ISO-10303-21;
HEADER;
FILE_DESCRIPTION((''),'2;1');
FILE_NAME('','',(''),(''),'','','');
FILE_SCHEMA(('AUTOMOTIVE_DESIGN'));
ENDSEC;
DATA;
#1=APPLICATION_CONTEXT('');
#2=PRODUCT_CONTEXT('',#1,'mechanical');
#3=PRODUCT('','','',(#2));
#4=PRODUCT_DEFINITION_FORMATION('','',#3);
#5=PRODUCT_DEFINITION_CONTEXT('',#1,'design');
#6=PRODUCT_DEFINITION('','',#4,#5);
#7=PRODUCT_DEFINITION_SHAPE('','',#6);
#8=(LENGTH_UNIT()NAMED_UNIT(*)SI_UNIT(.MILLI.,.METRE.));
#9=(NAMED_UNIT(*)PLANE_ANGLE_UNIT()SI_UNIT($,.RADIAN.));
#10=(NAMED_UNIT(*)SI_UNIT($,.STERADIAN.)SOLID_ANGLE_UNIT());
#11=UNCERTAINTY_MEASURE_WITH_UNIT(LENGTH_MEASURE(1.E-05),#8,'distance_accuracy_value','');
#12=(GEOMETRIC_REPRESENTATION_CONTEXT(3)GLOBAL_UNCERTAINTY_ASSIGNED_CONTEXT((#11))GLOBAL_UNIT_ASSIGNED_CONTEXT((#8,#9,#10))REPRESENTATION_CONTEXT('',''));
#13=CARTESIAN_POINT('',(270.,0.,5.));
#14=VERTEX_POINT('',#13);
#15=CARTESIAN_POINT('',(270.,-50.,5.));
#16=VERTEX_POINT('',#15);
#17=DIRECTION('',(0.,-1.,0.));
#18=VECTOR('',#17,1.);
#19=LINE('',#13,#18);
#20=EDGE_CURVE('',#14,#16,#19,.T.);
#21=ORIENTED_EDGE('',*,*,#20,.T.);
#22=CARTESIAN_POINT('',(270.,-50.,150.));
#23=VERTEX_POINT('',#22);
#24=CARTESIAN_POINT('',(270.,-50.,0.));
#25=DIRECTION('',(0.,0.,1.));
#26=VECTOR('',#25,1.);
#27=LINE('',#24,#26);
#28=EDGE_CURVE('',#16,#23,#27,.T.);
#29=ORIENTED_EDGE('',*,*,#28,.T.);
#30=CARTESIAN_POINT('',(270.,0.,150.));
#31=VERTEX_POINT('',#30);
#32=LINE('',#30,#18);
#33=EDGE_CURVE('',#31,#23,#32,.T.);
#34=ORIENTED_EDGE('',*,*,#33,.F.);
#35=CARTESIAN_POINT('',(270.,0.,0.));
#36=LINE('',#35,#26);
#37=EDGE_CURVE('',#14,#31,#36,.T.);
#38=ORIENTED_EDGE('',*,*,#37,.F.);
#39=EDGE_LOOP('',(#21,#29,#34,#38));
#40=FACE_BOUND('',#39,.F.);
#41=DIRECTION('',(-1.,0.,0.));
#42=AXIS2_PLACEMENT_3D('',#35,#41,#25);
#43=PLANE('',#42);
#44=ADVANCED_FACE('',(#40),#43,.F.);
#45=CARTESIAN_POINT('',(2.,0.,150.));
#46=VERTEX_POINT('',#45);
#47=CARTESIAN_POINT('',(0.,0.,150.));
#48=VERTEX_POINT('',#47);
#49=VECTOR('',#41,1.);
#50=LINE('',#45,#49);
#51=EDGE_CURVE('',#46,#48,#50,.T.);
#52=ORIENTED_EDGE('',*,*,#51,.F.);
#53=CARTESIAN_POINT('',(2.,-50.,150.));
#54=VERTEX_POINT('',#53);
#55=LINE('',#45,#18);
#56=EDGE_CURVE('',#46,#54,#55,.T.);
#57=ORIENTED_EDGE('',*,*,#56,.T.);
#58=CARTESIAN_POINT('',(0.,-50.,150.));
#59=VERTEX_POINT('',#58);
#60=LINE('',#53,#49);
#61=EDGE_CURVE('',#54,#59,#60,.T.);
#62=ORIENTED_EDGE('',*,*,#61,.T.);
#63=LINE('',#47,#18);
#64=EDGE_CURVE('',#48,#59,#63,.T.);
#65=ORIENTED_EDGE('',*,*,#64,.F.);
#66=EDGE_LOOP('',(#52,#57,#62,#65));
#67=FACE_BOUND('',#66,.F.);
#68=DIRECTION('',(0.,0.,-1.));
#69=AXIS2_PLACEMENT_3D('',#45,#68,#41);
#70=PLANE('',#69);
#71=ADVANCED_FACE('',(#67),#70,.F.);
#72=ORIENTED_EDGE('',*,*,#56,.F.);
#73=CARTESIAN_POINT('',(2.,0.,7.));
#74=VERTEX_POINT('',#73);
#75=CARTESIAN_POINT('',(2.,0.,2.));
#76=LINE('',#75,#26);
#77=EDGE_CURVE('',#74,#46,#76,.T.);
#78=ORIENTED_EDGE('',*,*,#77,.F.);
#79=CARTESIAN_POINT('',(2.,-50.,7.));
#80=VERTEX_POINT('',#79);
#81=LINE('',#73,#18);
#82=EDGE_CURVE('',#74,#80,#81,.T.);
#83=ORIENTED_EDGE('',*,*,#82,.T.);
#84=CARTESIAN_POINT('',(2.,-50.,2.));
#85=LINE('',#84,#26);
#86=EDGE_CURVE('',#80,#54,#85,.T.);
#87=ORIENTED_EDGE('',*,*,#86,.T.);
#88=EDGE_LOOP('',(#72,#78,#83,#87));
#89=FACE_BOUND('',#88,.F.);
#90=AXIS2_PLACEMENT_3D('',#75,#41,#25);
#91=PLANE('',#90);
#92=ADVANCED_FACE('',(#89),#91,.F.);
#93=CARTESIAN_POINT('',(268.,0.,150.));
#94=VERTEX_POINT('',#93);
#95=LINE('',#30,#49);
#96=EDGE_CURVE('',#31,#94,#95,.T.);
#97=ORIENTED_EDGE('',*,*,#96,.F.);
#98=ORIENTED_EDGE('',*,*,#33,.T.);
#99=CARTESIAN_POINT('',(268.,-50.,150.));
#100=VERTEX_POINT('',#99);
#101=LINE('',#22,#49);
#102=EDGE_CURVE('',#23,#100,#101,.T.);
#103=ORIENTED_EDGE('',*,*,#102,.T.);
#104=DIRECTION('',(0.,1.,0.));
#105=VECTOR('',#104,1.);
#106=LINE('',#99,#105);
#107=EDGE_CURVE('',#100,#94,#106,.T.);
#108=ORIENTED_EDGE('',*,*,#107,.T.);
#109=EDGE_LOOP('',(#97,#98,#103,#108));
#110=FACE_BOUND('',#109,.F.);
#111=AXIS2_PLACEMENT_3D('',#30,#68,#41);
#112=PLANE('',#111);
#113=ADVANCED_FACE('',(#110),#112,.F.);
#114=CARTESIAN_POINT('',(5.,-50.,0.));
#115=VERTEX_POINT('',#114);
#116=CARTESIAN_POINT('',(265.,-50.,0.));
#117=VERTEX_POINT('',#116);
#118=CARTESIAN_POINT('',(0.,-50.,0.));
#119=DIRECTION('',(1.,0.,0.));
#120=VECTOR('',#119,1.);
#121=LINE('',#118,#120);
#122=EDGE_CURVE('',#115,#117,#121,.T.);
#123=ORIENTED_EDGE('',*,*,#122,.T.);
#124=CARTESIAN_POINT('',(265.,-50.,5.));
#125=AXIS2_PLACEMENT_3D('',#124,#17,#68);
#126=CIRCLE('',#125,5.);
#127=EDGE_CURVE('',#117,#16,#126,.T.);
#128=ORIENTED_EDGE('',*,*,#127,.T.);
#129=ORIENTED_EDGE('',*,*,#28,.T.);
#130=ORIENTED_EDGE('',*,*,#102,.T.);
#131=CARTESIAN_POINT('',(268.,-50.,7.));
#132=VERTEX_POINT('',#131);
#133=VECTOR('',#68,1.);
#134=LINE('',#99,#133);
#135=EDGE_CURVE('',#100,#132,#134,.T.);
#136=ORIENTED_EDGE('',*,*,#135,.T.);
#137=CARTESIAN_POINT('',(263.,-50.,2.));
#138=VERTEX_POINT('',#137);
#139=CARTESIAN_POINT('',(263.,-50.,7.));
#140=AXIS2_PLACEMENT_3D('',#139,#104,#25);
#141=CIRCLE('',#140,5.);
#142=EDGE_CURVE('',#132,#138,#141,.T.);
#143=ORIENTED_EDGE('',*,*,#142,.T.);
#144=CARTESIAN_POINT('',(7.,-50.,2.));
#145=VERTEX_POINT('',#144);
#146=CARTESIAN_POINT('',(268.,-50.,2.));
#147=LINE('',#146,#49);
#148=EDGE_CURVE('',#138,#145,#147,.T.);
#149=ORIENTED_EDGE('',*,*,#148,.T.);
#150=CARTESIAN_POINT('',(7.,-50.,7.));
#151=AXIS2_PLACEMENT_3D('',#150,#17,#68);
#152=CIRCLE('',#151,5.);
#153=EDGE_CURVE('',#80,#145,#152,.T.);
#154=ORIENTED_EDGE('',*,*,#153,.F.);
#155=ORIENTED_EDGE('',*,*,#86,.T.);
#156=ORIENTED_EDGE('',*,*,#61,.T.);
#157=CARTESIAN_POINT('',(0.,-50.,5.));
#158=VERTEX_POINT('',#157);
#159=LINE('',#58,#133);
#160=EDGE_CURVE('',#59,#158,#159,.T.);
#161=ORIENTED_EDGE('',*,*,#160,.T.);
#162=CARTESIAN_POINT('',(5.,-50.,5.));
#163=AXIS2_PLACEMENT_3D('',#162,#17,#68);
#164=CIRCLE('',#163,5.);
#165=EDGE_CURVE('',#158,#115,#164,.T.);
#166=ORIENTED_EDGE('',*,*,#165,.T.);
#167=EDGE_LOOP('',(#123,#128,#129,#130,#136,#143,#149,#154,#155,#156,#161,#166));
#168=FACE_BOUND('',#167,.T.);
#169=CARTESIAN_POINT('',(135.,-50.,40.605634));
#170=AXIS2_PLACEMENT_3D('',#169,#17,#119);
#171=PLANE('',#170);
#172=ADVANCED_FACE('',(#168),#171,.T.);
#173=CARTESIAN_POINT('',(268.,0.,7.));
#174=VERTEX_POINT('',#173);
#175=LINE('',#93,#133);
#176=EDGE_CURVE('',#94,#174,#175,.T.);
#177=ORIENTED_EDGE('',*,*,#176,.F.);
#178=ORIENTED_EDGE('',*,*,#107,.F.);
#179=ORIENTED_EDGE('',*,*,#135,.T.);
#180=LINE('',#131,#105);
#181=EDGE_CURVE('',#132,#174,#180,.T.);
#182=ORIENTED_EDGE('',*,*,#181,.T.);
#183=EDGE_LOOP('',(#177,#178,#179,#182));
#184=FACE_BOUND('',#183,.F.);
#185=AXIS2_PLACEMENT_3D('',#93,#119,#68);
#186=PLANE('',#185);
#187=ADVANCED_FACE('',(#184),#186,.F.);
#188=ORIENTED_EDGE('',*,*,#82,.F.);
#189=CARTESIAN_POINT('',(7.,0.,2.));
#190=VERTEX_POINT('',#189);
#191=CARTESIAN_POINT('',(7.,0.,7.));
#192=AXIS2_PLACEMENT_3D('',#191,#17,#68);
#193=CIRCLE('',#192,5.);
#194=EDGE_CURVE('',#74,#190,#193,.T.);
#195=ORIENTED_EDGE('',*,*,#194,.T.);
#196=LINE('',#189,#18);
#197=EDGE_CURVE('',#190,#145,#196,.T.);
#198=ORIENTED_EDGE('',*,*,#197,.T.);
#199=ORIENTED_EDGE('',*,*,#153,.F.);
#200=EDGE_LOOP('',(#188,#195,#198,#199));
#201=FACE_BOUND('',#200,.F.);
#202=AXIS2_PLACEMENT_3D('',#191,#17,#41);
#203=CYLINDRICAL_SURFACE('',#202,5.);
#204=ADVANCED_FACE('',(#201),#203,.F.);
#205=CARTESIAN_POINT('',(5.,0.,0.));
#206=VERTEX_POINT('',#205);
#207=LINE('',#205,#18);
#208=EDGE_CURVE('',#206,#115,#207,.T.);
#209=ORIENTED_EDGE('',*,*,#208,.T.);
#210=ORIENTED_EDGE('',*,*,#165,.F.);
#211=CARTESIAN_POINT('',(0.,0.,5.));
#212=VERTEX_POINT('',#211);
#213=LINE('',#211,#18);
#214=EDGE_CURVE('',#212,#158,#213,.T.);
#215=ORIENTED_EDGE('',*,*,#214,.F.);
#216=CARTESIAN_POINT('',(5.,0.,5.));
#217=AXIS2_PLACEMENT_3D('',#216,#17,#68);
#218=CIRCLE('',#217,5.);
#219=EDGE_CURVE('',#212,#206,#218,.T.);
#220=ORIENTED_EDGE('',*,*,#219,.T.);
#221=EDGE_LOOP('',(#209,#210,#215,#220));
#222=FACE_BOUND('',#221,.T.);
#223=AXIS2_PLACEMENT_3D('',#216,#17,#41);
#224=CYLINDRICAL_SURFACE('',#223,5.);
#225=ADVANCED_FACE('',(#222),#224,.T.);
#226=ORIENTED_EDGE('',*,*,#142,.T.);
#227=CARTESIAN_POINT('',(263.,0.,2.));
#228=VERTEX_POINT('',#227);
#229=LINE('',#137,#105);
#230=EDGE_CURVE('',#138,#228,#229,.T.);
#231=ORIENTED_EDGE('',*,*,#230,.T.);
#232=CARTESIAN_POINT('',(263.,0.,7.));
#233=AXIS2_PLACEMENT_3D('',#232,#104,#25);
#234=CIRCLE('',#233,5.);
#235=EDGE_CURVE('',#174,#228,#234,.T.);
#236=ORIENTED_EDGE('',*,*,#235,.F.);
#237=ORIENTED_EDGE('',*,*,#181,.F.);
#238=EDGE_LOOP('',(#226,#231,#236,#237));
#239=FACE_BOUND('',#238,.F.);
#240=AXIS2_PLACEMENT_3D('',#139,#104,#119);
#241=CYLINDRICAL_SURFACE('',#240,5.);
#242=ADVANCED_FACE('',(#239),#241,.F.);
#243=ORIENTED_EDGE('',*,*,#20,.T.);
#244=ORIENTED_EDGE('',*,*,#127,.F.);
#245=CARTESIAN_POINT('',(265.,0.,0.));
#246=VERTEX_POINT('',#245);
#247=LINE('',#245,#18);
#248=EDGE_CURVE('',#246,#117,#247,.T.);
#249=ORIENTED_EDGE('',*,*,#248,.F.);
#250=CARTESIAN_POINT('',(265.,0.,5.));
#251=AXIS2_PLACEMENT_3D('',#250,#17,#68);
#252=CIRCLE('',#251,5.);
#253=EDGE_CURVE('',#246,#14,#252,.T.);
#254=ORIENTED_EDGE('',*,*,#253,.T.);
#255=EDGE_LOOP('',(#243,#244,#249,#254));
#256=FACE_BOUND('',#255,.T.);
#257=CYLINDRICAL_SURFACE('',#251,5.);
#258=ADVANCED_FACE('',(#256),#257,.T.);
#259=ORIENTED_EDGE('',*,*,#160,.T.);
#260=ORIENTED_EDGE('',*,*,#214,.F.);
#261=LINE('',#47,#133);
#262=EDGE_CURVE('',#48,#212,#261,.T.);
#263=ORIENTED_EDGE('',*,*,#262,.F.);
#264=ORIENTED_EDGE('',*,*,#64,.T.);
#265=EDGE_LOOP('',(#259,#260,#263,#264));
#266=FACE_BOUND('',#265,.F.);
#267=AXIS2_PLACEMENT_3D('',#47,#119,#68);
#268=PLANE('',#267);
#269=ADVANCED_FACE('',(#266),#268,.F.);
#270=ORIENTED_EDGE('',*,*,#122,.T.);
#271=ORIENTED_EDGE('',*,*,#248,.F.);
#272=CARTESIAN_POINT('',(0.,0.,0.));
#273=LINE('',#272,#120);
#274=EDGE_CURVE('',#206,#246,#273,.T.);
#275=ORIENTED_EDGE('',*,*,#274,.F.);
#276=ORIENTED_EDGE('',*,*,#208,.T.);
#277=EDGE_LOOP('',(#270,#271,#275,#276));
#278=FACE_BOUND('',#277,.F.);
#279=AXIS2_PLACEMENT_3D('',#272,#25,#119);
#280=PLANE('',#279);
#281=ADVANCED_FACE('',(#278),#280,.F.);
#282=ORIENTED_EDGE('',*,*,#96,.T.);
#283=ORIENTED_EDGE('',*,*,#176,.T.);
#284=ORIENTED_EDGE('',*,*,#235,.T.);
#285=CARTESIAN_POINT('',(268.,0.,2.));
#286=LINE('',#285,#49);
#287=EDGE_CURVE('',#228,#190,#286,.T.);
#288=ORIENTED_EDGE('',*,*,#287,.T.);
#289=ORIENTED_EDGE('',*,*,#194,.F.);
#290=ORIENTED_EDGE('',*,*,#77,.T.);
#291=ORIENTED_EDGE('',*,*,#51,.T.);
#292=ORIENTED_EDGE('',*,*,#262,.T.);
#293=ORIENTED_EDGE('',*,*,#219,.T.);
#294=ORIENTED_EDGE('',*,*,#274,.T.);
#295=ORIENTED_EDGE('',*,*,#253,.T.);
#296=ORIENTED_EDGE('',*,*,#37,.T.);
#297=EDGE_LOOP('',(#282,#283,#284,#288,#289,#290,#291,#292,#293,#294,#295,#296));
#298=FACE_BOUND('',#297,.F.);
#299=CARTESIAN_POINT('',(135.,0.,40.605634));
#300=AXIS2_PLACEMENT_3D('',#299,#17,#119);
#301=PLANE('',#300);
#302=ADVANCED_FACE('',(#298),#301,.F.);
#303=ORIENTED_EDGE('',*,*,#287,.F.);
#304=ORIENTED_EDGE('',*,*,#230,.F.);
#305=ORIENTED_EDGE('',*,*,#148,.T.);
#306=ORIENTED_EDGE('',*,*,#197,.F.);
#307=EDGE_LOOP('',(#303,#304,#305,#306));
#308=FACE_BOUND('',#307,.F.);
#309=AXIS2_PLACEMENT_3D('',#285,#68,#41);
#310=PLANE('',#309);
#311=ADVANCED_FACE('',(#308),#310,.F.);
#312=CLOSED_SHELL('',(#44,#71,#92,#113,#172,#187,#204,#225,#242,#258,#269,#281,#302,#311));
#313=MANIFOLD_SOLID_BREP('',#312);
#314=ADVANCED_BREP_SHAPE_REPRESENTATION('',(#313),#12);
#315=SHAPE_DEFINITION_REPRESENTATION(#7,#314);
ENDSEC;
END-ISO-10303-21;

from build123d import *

# Parameters (mm, degrees)
F1_DEPTH = 50
F2_DEPTH = 25
F3_R     = 5
F4_R     = 5
F5_R     = 5
F6_R     = 5


with BuildPart() as f1:
    # F0 (on Front) → F1 (new body)
    with BuildSketch(Plane.XZ):
        Polygon((268, 2), (2, 2), (2, 150), (0, 150), (0, 0), (270, 0), (270, 150), (268, 150), align=None)
    extrude(amount=F1_DEPTH)

    # F0 (on Front) → F2 (join)
    with BuildSketch(Plane.XZ):
        Polygon((268, 2), (2, 2), (2, 150), (0, 150), (0, 0), (270, 0), (270, 150), (268, 150), align=None)
    extrude(amount=F2_DEPTH)

    # F3
    f3_edges = [f1.edges().sort_by_distance(p)[0] for p in [
        (0, -25, 0),
    ]]
    fillet(f3_edges, radius=F3_R)

    # F4
    f4_edges = [f1.edges().sort_by_distance(p)[0] for p in [
        (2, -25, 2),
    ]]
    fillet(f4_edges, radius=F4_R)

    # F5
    f5_edges = [f1.edges().sort_by_distance(p)[0] for p in [
        (270, -25, 0),
    ]]
    fillet(f5_edges, radius=F5_R)

    # F6
    f6_edges = [f1.edges().sort_by_distance(p)[0] for p in [
        (268, -25, 2),
    ]]
    fillet(f6_edges, radius=F6_R)


solid = f1.part
